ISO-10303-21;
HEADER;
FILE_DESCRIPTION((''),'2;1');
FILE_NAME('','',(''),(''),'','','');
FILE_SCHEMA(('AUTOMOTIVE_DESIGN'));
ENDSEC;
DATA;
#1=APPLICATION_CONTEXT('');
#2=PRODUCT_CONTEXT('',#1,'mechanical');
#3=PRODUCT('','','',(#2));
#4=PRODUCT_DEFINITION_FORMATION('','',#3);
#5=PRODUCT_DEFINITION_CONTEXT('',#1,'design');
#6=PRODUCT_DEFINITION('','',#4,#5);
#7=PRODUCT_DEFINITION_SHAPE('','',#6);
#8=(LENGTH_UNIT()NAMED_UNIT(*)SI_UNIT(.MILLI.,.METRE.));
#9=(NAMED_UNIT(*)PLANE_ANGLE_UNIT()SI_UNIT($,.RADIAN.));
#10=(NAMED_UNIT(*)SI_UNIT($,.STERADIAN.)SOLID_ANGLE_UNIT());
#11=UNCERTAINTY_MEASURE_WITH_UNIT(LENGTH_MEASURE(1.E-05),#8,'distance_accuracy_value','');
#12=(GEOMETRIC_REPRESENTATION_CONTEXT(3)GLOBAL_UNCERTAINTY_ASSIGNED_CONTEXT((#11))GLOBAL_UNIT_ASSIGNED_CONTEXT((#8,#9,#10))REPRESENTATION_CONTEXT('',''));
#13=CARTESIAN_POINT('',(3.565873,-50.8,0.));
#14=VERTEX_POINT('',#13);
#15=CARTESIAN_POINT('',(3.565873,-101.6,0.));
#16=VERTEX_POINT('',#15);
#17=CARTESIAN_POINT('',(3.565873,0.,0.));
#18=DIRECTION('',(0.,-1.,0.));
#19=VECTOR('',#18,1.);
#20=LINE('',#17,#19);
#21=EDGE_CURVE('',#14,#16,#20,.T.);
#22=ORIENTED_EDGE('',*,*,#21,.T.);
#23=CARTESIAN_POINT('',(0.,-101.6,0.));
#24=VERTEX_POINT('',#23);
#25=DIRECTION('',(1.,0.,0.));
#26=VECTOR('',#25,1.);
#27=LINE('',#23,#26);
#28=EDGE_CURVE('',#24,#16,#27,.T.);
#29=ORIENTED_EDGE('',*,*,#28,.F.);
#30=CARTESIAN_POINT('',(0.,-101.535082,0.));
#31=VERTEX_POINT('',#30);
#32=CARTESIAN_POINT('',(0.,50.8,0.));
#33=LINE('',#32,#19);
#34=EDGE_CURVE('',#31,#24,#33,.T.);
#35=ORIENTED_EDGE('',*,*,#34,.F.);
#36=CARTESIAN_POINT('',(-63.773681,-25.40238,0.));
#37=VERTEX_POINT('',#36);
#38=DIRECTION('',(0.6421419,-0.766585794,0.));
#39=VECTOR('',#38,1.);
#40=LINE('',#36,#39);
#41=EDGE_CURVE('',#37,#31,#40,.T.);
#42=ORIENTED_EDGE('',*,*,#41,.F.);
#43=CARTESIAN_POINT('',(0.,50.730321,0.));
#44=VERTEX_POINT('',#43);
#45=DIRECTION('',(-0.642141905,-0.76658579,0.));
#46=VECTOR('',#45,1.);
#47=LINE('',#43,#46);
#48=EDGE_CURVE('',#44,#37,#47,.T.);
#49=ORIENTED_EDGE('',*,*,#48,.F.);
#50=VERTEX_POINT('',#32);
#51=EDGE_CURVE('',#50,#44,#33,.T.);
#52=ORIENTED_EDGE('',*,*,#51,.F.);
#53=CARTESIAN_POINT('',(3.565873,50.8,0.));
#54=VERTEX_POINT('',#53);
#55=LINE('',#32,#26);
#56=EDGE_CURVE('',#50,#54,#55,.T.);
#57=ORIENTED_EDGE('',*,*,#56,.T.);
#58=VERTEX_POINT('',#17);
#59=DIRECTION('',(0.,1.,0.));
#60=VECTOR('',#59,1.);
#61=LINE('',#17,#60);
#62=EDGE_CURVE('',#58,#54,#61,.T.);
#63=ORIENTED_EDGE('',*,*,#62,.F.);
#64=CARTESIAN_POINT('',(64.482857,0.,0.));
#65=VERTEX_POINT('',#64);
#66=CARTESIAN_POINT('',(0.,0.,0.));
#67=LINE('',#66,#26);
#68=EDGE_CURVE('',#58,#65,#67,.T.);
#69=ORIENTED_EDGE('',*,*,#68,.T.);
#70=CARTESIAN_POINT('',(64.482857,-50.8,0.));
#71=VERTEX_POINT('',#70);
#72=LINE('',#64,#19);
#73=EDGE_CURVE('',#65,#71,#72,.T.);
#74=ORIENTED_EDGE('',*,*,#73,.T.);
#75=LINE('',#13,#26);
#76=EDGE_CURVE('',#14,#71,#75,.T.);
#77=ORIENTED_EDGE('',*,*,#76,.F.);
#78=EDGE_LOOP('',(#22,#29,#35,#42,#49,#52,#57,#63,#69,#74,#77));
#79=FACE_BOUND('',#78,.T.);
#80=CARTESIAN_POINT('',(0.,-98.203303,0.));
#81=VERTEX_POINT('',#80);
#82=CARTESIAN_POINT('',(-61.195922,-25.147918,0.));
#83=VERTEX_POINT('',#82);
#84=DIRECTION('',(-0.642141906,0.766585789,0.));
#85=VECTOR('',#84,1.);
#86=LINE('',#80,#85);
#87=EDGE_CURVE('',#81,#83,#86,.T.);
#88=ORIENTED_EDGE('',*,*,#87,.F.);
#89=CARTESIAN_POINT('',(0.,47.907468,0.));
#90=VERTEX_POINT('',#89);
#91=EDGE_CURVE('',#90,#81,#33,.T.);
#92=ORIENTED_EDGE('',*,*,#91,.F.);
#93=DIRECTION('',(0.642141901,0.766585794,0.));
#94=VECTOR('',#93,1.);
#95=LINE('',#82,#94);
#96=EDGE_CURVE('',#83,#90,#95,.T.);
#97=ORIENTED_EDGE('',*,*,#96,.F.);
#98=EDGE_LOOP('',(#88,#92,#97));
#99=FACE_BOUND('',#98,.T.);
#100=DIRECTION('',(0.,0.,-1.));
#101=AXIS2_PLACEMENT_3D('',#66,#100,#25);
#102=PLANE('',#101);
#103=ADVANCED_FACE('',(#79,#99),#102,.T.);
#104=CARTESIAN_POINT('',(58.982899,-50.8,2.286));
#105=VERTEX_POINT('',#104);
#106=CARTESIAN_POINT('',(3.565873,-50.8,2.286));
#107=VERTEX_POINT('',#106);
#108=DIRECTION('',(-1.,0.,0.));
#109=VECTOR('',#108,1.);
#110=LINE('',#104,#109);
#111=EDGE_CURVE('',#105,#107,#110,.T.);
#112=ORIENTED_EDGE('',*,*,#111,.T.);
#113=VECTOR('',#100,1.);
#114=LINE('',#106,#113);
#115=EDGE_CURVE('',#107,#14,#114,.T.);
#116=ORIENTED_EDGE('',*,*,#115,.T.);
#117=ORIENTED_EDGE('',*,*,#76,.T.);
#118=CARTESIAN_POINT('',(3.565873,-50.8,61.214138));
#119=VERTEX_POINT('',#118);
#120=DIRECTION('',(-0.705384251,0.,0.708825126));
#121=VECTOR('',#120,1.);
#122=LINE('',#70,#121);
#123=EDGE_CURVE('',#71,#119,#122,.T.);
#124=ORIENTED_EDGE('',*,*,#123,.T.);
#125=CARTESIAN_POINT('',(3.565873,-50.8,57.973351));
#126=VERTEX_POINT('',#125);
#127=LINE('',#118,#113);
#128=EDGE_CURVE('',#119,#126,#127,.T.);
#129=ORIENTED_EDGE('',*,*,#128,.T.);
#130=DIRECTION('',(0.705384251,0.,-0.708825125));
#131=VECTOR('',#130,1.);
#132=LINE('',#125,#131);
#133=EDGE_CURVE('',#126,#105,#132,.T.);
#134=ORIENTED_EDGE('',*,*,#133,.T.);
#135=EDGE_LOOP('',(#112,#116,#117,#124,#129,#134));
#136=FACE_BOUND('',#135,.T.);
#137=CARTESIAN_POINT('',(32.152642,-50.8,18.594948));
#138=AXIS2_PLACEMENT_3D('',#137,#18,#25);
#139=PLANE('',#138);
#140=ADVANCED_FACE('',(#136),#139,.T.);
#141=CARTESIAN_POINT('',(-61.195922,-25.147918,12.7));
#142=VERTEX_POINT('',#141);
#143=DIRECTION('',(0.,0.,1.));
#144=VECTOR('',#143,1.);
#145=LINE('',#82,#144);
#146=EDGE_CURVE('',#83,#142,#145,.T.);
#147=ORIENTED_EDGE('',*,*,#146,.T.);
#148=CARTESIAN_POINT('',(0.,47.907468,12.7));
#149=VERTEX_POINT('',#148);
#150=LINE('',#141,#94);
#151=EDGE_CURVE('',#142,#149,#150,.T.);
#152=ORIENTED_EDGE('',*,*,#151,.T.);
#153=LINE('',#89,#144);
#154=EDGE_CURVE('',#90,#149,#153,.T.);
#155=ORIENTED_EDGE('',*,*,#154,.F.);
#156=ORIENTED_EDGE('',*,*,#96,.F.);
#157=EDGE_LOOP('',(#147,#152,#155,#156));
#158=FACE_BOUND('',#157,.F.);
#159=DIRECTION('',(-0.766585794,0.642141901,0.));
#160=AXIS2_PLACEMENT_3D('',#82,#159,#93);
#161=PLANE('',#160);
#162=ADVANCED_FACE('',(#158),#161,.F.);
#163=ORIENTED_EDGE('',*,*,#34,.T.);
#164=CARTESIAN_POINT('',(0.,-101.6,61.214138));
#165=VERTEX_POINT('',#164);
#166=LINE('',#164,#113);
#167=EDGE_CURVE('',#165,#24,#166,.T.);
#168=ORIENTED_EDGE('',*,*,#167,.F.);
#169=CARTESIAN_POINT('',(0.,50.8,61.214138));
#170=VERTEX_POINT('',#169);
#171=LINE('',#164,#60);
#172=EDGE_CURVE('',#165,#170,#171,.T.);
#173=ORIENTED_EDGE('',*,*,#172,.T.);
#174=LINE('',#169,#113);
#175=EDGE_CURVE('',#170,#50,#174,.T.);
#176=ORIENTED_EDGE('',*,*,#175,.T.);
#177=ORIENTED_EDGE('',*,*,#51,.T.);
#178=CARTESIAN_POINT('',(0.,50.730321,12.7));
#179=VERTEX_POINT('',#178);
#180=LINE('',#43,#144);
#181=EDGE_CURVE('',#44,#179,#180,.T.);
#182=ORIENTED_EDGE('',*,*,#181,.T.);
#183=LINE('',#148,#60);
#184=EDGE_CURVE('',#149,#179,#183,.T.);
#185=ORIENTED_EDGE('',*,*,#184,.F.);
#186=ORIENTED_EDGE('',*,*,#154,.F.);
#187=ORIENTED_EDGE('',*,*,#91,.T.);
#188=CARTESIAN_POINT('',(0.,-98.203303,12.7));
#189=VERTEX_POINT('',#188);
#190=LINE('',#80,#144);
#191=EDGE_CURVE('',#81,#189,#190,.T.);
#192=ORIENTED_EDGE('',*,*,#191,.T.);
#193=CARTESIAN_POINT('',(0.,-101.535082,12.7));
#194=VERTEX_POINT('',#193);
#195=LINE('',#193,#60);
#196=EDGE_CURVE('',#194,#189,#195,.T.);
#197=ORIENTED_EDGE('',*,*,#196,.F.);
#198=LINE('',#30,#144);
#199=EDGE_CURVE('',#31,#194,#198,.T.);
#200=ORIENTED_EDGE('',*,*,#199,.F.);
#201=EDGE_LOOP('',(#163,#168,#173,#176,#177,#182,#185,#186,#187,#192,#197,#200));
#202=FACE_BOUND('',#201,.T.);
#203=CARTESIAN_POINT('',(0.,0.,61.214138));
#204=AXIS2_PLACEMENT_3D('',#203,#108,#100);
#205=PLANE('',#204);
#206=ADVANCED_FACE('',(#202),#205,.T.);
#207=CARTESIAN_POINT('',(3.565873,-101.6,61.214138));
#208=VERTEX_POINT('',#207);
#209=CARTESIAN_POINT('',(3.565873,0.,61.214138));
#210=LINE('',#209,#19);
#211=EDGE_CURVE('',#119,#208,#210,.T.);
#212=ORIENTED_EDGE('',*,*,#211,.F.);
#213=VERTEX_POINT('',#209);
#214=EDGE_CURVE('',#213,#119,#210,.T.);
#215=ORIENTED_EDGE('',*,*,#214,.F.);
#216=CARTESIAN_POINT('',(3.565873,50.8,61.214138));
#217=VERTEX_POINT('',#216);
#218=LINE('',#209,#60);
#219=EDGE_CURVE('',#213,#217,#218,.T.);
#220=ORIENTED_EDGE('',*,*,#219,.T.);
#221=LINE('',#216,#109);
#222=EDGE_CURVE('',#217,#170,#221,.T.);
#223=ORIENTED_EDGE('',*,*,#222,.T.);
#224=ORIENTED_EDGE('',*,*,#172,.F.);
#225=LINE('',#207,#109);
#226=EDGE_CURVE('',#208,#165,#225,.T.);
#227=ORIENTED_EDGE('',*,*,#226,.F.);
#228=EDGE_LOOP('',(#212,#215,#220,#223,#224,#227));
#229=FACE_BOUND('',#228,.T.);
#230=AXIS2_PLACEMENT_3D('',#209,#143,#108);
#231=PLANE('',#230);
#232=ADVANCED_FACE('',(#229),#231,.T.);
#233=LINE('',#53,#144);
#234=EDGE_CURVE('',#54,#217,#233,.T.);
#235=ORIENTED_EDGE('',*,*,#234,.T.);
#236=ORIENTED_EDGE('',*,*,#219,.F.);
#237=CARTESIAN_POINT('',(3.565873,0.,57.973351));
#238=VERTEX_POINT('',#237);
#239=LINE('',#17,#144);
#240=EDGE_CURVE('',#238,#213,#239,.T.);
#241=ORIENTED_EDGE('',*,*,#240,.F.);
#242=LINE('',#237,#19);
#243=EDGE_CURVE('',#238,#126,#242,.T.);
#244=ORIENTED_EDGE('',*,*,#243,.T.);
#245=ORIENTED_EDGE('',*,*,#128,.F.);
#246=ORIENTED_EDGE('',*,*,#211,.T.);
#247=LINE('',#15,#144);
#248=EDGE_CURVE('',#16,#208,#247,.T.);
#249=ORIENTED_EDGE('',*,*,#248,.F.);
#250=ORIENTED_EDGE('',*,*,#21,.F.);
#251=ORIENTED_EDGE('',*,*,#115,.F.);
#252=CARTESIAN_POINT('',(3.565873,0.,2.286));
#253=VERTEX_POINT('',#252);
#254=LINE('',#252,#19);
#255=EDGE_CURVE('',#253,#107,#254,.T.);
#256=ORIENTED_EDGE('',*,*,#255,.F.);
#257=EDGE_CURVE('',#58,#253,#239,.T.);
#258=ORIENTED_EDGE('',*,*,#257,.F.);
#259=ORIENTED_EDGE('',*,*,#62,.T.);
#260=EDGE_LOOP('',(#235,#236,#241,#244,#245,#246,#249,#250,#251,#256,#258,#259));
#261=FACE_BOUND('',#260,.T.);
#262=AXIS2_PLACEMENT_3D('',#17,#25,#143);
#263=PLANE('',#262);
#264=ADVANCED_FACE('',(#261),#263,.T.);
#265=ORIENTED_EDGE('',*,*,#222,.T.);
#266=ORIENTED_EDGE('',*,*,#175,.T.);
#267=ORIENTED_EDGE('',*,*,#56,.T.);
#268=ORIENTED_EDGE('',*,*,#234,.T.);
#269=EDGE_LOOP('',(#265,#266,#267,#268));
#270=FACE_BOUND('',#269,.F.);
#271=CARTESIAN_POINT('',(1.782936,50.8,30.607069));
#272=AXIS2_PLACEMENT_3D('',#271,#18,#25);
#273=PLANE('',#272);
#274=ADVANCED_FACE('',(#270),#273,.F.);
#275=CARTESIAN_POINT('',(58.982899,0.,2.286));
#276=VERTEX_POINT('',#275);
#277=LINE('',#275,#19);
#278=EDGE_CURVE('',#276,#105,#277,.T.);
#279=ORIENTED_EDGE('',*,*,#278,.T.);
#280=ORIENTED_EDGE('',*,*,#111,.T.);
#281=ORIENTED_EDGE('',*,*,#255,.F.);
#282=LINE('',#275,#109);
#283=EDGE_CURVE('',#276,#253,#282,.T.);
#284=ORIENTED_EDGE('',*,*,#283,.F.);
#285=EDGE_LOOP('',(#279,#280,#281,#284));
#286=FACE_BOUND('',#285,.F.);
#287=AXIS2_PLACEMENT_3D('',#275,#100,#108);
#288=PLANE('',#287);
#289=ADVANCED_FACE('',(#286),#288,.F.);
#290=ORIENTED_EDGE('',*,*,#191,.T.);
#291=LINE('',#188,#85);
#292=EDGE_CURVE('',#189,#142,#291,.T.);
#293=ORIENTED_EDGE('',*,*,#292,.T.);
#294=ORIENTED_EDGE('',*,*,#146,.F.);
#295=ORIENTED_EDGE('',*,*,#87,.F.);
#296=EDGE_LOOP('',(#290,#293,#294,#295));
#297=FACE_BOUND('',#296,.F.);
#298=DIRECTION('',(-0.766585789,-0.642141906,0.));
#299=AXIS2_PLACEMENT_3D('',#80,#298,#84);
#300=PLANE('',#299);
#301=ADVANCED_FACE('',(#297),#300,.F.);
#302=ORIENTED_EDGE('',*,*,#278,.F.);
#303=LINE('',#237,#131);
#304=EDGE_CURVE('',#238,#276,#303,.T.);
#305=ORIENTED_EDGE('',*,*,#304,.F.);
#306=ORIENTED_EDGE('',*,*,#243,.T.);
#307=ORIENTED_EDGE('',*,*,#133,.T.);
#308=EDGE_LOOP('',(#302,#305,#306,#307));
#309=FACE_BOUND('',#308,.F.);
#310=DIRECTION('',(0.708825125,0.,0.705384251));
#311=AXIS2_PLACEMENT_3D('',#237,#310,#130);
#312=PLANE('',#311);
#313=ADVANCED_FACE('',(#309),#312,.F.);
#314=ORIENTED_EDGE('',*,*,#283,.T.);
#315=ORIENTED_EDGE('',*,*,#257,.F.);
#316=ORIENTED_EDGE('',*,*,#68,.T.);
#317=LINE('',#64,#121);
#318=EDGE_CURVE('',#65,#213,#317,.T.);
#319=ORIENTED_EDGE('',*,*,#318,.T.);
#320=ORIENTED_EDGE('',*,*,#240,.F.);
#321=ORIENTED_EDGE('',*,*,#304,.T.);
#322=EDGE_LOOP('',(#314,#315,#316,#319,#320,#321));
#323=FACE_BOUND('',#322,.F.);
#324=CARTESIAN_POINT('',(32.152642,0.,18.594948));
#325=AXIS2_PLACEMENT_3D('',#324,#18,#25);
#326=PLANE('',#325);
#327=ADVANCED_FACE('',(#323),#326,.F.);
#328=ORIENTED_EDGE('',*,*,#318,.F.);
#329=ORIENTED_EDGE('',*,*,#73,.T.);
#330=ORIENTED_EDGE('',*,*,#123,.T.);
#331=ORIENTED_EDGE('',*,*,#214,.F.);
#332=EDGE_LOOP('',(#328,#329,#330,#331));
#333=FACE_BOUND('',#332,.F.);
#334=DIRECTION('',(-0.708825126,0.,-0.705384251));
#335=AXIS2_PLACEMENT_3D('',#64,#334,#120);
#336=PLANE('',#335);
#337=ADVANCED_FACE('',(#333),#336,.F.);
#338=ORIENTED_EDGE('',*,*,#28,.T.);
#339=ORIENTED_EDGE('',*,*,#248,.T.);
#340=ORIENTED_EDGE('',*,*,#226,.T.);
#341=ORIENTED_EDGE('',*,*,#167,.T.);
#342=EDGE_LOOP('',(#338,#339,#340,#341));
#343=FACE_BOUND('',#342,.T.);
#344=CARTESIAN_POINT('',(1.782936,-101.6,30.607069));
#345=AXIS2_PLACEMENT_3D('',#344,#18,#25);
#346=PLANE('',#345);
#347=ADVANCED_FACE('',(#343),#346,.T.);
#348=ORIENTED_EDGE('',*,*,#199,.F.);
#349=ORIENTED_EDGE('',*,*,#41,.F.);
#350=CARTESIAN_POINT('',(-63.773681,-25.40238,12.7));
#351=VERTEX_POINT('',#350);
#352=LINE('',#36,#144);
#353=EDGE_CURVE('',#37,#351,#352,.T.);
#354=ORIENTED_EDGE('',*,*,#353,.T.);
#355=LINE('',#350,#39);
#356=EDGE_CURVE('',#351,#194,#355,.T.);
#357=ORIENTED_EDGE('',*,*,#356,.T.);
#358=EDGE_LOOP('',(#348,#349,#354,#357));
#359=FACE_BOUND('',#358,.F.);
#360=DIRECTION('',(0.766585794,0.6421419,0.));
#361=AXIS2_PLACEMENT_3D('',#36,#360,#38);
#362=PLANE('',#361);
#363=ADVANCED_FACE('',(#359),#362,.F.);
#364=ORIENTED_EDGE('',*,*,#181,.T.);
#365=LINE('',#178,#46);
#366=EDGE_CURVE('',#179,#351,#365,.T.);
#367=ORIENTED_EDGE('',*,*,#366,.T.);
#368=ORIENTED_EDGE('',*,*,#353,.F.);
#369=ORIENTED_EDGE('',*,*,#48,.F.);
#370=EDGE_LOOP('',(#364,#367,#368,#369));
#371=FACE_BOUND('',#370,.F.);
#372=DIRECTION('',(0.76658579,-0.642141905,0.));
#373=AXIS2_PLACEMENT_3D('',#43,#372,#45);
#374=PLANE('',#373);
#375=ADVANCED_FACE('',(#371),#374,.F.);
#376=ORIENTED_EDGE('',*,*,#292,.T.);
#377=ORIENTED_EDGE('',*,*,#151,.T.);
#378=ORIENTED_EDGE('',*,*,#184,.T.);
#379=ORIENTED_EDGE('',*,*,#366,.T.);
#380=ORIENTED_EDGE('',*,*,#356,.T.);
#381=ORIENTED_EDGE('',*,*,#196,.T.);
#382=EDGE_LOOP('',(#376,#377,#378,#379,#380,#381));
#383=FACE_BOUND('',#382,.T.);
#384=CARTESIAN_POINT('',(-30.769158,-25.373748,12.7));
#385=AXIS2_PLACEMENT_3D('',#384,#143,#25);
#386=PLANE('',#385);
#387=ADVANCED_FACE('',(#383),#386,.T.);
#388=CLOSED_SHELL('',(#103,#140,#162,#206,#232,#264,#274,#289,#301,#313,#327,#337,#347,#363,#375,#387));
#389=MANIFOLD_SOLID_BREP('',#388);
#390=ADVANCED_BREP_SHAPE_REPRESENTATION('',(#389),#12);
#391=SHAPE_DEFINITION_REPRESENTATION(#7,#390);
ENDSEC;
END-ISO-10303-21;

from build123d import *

# Parameters (mm, degrees)
F1_DEPTH = 101.6
F2_DEPTH = 50.8
F3_DEPTH = 50.8
F5_DEPTH = 12.7


with BuildPart() as f1:
    # F0 (on Front) → F1 (new body)
    with BuildSketch(Plane.XZ):
        Polygon((0, 61.214138), (0, 0), (3.565873, 0), (3.565873, 2.286), (3.565873, 57.973351), (3.565873, 61.214138), align=None)
    extrude(amount=F1_DEPTH)

    # F0 (on Front) → F2 (join)
    with BuildSketch(Plane.XZ):
        Polygon((3.565873, 2.286), (3.565873, 0), (64.482857, 0), (3.565873, 61.214138), (3.565873, 57.973351), (58.982899, 2.286), align=None)
    extrude(amount=F2_DEPTH)

    # F0 (on Front) → F3 (join)
    with BuildSketch(Plane.XZ):
        Polygon((0, 61.214138), (0, 0), (3.565873, 0), (3.565873, 2.286), (3.565873, 57.973351), (3.565873, 61.214138), align=None)
    extrude(amount=-F3_DEPTH)

    # F4 (on Top) → F5 (join)
    with BuildSketch(Plane.XY):
        Polygon((0, 47.907468), (0, 50.730321), (-63.773681, -25.40238), (0, -101.535082), (0, -98.203303), (-61.195922, -25.147918), align=None)
    extrude(amount=F5_DEPTH)


solid = f1.part
